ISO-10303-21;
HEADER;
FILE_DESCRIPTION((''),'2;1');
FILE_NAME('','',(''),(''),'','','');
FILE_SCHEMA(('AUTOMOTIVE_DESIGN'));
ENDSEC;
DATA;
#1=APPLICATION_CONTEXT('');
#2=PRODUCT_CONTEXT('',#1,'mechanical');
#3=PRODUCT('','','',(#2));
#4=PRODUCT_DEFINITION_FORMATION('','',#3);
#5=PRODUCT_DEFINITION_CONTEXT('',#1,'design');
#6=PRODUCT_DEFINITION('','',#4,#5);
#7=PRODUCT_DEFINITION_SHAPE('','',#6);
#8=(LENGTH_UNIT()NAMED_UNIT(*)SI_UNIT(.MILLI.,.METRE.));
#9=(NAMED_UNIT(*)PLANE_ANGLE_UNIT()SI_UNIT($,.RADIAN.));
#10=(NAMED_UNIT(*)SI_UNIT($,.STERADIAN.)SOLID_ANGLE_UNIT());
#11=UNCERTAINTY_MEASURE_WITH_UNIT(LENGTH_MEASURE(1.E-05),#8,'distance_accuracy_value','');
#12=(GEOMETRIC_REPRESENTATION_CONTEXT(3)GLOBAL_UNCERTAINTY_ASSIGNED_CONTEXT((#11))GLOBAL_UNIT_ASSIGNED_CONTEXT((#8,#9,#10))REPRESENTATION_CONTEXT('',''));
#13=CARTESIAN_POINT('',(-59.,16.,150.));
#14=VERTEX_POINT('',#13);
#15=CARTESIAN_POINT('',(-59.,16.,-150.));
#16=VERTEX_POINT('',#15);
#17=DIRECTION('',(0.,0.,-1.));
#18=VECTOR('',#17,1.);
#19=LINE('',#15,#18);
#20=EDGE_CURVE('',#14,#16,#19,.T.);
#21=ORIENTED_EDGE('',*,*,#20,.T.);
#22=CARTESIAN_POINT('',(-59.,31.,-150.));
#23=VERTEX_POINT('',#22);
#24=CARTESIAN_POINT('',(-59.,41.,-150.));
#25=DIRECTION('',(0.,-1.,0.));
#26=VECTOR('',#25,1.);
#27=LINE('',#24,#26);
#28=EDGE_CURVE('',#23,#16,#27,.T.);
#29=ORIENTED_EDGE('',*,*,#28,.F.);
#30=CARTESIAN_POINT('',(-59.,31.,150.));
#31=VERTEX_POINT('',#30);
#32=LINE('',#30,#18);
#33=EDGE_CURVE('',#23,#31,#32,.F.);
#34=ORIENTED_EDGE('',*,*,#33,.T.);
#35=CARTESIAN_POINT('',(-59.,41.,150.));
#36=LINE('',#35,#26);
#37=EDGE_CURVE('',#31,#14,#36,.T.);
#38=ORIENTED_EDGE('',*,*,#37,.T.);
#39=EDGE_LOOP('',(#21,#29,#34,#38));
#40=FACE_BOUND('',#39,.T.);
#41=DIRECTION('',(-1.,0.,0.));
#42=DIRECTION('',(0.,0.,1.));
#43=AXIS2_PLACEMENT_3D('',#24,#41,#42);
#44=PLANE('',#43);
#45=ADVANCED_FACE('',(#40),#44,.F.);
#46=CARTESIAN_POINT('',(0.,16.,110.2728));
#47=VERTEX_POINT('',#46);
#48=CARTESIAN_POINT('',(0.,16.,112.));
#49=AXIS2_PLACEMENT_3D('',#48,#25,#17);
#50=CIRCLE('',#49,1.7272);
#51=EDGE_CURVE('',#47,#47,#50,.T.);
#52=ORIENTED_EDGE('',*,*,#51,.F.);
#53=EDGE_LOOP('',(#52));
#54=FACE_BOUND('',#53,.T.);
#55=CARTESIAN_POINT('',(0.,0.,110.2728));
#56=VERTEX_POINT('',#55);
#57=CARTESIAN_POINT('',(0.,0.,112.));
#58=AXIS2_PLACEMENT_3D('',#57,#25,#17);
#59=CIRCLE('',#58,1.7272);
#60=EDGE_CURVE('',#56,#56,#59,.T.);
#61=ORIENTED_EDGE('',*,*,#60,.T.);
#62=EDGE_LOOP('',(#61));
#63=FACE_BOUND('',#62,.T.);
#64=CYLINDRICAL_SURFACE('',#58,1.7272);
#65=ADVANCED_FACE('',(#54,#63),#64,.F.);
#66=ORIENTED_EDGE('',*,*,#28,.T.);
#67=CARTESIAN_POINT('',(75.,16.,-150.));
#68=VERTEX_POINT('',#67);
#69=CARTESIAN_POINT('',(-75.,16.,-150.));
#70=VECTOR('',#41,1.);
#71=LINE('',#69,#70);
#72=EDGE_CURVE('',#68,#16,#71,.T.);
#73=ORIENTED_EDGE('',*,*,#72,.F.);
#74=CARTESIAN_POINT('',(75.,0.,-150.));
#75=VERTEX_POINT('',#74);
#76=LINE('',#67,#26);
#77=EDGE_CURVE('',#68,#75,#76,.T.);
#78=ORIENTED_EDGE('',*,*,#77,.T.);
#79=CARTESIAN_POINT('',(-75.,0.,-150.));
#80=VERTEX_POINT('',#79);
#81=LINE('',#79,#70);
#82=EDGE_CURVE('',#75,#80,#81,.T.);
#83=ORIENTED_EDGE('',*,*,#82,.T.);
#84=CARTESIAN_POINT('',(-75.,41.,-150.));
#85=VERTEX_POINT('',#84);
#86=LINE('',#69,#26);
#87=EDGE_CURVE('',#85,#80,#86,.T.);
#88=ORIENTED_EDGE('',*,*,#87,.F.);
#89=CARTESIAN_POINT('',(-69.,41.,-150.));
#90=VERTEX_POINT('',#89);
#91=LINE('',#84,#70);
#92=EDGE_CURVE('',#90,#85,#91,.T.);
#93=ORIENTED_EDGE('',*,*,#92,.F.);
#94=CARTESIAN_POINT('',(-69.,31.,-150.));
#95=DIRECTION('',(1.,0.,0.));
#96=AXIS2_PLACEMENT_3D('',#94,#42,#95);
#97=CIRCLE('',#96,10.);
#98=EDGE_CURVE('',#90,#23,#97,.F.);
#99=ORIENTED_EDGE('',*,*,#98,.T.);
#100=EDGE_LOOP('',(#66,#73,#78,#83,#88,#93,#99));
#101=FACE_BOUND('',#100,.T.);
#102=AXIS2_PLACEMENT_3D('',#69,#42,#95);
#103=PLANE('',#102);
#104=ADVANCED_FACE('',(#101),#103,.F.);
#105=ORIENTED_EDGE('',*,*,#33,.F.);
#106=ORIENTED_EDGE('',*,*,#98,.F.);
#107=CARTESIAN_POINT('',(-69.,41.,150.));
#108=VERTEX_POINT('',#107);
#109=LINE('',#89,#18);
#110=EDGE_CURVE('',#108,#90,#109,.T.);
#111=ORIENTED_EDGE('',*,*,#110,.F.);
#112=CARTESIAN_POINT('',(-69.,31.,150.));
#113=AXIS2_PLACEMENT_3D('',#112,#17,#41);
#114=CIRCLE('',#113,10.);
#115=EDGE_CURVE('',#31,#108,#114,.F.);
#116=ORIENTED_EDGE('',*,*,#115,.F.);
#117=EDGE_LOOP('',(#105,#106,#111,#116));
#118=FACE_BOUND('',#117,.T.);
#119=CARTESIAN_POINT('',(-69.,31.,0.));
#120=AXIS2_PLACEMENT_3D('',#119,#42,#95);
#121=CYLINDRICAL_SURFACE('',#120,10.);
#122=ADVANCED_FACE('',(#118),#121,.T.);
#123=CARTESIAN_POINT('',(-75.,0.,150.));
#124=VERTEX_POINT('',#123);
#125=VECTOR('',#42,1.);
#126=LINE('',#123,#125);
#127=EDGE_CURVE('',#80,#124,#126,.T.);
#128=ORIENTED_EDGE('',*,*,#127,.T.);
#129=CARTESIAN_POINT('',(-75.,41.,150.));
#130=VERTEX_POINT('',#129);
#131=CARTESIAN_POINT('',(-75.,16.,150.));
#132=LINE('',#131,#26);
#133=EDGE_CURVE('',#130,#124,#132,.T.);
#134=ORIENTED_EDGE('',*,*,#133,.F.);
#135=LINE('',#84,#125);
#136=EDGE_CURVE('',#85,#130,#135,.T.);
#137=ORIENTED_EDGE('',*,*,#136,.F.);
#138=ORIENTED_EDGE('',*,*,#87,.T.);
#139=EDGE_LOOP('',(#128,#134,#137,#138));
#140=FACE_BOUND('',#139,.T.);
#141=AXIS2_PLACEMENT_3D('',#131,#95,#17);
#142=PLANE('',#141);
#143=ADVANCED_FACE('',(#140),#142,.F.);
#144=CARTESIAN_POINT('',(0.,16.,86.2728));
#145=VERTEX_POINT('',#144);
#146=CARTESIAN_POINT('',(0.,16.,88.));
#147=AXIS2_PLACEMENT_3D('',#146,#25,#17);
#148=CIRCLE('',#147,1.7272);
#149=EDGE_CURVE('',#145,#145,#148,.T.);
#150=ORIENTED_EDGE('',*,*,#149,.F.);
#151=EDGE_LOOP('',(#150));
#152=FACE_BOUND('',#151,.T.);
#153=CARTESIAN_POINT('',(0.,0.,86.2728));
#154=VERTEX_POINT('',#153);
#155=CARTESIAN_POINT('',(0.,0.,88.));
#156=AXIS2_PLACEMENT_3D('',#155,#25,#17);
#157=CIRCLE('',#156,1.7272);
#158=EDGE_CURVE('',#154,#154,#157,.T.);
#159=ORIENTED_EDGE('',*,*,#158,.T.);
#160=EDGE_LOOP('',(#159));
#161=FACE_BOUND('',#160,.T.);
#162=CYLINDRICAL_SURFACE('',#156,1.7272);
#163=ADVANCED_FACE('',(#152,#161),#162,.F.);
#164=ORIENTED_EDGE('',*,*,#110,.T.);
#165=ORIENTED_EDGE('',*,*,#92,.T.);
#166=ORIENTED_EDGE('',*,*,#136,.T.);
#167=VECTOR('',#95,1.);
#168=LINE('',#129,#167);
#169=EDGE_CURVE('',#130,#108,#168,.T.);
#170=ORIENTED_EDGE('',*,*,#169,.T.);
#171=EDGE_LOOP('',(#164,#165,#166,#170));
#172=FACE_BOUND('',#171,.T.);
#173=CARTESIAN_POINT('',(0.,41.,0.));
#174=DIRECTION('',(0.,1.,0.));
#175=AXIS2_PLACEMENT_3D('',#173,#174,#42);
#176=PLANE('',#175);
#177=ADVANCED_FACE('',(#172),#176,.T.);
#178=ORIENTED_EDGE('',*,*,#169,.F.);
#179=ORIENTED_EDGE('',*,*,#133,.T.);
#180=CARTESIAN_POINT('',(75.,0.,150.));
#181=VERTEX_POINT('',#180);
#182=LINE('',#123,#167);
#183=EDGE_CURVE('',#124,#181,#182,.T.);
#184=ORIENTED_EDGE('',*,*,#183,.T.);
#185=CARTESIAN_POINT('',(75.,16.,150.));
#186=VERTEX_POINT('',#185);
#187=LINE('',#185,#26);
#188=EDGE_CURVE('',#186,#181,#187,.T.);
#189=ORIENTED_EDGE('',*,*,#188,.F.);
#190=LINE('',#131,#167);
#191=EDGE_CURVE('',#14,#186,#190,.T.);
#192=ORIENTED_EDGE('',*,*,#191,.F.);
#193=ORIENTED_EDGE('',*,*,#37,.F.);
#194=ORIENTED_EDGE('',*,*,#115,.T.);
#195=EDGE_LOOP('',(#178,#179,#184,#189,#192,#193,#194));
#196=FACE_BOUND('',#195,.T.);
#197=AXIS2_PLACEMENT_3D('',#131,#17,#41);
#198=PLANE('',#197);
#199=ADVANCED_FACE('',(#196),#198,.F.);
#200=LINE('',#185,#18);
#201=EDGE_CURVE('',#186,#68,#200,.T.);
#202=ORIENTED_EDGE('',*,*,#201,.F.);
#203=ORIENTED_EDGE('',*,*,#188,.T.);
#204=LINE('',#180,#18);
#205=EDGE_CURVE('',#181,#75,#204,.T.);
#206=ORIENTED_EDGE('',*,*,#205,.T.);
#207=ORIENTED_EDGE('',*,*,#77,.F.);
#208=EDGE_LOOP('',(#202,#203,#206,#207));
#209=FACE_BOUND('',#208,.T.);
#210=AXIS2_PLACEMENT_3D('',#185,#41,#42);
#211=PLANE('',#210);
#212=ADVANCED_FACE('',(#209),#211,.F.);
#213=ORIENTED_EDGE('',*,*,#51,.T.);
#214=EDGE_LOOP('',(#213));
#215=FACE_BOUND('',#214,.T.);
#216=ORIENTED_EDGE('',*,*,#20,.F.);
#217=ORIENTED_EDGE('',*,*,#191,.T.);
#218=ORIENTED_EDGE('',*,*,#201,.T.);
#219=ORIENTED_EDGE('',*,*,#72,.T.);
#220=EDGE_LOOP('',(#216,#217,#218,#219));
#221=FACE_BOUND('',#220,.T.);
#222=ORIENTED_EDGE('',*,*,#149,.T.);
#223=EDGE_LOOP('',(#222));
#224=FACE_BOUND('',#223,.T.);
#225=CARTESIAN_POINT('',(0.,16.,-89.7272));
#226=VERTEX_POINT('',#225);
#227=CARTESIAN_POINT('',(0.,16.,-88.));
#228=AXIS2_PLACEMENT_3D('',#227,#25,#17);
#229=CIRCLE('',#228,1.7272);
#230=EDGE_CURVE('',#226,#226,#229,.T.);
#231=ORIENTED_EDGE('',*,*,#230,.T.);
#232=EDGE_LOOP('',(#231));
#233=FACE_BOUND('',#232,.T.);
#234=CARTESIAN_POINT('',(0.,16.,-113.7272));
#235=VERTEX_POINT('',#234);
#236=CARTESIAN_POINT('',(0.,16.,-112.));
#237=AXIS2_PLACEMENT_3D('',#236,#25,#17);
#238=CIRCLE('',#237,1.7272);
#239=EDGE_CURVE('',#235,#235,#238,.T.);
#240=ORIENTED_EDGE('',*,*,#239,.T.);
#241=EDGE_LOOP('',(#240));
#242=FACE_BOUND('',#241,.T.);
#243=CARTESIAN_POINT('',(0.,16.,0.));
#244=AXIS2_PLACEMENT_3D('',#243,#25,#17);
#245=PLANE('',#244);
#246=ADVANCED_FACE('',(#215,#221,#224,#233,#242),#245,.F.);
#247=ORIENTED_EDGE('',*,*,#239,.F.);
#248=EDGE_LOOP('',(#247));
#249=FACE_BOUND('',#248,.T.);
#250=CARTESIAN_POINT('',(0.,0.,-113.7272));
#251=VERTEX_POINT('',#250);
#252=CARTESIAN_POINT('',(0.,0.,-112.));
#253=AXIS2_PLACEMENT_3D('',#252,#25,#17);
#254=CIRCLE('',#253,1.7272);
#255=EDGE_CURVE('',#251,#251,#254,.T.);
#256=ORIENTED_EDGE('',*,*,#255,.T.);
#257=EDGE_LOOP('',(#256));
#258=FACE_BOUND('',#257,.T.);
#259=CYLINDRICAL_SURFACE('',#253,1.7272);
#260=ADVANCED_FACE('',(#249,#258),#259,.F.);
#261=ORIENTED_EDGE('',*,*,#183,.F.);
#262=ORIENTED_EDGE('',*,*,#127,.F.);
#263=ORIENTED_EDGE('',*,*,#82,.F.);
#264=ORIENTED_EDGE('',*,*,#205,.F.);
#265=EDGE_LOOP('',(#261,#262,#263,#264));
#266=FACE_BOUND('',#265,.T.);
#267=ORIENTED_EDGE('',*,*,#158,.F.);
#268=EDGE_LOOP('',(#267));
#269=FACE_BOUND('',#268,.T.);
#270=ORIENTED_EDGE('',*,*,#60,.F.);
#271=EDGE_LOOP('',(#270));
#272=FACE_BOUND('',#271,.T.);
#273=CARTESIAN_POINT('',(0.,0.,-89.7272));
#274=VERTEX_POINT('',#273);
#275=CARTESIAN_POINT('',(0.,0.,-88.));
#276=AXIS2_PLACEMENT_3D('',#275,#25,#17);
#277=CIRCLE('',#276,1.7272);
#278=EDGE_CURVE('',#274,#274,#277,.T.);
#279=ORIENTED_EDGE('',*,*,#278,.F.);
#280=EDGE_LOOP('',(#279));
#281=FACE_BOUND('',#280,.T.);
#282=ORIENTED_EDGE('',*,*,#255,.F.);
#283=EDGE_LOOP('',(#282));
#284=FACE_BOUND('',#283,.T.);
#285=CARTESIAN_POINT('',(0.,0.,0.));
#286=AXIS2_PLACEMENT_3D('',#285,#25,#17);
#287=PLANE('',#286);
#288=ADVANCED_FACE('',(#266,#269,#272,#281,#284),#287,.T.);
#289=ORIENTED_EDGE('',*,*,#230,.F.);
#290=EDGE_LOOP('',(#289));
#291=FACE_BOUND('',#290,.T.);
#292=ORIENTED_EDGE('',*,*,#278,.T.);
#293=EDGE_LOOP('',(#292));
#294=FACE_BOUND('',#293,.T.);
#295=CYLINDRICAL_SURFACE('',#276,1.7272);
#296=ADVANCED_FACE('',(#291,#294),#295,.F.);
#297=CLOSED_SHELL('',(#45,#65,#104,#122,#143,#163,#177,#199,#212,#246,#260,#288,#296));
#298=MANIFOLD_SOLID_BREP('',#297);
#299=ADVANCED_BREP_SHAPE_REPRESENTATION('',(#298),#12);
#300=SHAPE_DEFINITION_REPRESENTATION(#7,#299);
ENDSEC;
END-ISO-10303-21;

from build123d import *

# Parameters (mm, degrees)
SKETCH1_W             = 150
SKETCH1_H             = 300
BOSS_EXTRUDE1_DEPTH   = 16
SKETCH2_W             = 16
SKETCH2_H             = 300
BOSS_EXTRUDE2_DEPTH   = 25
FILLET1_R             = 10
F_8_36_TAPPED_HOLE1_D = 3.4544


with BuildPart() as part:
    # Sketch1 → Boss-Extrude1 (new body)
    with BuildSketch(Plane(origin=(0, 0, 0), x_dir=(1, 0, 0), z_dir=(0, 1, 0))):
        Rectangle(SKETCH1_W, SKETCH1_H)
    extrude(amount=BOSS_EXTRUDE1_DEPTH)

    # Sketch2 → Boss-Extrude2 (add)
    with BuildSketch(Plane(origin=(0, 16, 0), x_dir=(1, 0, 0), z_dir=(0, 1, 0))):
        with Locations((-67, 0)):
            Rectangle(SKETCH2_W, SKETCH2_H)
    extrude(amount=BOSS_EXTRUDE2_DEPTH)

    # Fillet1
    fillet1_edges = [part.edges().sort_by_distance(p)[0] for p in [
        (-59, 41, 0),
    ]]
    fillet(fillet1_edges, radius=FILLET1_R)

    # #8-36 Tapped Hole1 (through all)
    with Locations(Plane(origin=(0, 0, 0), x_dir=(-1, 0, 0), z_dir=(0, -1, 0))):
        with Locations((0, 112), (0, 88)):
            f_8_36_tapped_hole1 = Hole(F_8_36_TAPPED_HOLE1_D / 2)

    # Mirror1: #8-36 Tapped Hole1 across plane
    add(f_8_36_tapped_hole1.mirror(Plane.XY), mode=Mode.SUBTRACT)


solid = part.part
